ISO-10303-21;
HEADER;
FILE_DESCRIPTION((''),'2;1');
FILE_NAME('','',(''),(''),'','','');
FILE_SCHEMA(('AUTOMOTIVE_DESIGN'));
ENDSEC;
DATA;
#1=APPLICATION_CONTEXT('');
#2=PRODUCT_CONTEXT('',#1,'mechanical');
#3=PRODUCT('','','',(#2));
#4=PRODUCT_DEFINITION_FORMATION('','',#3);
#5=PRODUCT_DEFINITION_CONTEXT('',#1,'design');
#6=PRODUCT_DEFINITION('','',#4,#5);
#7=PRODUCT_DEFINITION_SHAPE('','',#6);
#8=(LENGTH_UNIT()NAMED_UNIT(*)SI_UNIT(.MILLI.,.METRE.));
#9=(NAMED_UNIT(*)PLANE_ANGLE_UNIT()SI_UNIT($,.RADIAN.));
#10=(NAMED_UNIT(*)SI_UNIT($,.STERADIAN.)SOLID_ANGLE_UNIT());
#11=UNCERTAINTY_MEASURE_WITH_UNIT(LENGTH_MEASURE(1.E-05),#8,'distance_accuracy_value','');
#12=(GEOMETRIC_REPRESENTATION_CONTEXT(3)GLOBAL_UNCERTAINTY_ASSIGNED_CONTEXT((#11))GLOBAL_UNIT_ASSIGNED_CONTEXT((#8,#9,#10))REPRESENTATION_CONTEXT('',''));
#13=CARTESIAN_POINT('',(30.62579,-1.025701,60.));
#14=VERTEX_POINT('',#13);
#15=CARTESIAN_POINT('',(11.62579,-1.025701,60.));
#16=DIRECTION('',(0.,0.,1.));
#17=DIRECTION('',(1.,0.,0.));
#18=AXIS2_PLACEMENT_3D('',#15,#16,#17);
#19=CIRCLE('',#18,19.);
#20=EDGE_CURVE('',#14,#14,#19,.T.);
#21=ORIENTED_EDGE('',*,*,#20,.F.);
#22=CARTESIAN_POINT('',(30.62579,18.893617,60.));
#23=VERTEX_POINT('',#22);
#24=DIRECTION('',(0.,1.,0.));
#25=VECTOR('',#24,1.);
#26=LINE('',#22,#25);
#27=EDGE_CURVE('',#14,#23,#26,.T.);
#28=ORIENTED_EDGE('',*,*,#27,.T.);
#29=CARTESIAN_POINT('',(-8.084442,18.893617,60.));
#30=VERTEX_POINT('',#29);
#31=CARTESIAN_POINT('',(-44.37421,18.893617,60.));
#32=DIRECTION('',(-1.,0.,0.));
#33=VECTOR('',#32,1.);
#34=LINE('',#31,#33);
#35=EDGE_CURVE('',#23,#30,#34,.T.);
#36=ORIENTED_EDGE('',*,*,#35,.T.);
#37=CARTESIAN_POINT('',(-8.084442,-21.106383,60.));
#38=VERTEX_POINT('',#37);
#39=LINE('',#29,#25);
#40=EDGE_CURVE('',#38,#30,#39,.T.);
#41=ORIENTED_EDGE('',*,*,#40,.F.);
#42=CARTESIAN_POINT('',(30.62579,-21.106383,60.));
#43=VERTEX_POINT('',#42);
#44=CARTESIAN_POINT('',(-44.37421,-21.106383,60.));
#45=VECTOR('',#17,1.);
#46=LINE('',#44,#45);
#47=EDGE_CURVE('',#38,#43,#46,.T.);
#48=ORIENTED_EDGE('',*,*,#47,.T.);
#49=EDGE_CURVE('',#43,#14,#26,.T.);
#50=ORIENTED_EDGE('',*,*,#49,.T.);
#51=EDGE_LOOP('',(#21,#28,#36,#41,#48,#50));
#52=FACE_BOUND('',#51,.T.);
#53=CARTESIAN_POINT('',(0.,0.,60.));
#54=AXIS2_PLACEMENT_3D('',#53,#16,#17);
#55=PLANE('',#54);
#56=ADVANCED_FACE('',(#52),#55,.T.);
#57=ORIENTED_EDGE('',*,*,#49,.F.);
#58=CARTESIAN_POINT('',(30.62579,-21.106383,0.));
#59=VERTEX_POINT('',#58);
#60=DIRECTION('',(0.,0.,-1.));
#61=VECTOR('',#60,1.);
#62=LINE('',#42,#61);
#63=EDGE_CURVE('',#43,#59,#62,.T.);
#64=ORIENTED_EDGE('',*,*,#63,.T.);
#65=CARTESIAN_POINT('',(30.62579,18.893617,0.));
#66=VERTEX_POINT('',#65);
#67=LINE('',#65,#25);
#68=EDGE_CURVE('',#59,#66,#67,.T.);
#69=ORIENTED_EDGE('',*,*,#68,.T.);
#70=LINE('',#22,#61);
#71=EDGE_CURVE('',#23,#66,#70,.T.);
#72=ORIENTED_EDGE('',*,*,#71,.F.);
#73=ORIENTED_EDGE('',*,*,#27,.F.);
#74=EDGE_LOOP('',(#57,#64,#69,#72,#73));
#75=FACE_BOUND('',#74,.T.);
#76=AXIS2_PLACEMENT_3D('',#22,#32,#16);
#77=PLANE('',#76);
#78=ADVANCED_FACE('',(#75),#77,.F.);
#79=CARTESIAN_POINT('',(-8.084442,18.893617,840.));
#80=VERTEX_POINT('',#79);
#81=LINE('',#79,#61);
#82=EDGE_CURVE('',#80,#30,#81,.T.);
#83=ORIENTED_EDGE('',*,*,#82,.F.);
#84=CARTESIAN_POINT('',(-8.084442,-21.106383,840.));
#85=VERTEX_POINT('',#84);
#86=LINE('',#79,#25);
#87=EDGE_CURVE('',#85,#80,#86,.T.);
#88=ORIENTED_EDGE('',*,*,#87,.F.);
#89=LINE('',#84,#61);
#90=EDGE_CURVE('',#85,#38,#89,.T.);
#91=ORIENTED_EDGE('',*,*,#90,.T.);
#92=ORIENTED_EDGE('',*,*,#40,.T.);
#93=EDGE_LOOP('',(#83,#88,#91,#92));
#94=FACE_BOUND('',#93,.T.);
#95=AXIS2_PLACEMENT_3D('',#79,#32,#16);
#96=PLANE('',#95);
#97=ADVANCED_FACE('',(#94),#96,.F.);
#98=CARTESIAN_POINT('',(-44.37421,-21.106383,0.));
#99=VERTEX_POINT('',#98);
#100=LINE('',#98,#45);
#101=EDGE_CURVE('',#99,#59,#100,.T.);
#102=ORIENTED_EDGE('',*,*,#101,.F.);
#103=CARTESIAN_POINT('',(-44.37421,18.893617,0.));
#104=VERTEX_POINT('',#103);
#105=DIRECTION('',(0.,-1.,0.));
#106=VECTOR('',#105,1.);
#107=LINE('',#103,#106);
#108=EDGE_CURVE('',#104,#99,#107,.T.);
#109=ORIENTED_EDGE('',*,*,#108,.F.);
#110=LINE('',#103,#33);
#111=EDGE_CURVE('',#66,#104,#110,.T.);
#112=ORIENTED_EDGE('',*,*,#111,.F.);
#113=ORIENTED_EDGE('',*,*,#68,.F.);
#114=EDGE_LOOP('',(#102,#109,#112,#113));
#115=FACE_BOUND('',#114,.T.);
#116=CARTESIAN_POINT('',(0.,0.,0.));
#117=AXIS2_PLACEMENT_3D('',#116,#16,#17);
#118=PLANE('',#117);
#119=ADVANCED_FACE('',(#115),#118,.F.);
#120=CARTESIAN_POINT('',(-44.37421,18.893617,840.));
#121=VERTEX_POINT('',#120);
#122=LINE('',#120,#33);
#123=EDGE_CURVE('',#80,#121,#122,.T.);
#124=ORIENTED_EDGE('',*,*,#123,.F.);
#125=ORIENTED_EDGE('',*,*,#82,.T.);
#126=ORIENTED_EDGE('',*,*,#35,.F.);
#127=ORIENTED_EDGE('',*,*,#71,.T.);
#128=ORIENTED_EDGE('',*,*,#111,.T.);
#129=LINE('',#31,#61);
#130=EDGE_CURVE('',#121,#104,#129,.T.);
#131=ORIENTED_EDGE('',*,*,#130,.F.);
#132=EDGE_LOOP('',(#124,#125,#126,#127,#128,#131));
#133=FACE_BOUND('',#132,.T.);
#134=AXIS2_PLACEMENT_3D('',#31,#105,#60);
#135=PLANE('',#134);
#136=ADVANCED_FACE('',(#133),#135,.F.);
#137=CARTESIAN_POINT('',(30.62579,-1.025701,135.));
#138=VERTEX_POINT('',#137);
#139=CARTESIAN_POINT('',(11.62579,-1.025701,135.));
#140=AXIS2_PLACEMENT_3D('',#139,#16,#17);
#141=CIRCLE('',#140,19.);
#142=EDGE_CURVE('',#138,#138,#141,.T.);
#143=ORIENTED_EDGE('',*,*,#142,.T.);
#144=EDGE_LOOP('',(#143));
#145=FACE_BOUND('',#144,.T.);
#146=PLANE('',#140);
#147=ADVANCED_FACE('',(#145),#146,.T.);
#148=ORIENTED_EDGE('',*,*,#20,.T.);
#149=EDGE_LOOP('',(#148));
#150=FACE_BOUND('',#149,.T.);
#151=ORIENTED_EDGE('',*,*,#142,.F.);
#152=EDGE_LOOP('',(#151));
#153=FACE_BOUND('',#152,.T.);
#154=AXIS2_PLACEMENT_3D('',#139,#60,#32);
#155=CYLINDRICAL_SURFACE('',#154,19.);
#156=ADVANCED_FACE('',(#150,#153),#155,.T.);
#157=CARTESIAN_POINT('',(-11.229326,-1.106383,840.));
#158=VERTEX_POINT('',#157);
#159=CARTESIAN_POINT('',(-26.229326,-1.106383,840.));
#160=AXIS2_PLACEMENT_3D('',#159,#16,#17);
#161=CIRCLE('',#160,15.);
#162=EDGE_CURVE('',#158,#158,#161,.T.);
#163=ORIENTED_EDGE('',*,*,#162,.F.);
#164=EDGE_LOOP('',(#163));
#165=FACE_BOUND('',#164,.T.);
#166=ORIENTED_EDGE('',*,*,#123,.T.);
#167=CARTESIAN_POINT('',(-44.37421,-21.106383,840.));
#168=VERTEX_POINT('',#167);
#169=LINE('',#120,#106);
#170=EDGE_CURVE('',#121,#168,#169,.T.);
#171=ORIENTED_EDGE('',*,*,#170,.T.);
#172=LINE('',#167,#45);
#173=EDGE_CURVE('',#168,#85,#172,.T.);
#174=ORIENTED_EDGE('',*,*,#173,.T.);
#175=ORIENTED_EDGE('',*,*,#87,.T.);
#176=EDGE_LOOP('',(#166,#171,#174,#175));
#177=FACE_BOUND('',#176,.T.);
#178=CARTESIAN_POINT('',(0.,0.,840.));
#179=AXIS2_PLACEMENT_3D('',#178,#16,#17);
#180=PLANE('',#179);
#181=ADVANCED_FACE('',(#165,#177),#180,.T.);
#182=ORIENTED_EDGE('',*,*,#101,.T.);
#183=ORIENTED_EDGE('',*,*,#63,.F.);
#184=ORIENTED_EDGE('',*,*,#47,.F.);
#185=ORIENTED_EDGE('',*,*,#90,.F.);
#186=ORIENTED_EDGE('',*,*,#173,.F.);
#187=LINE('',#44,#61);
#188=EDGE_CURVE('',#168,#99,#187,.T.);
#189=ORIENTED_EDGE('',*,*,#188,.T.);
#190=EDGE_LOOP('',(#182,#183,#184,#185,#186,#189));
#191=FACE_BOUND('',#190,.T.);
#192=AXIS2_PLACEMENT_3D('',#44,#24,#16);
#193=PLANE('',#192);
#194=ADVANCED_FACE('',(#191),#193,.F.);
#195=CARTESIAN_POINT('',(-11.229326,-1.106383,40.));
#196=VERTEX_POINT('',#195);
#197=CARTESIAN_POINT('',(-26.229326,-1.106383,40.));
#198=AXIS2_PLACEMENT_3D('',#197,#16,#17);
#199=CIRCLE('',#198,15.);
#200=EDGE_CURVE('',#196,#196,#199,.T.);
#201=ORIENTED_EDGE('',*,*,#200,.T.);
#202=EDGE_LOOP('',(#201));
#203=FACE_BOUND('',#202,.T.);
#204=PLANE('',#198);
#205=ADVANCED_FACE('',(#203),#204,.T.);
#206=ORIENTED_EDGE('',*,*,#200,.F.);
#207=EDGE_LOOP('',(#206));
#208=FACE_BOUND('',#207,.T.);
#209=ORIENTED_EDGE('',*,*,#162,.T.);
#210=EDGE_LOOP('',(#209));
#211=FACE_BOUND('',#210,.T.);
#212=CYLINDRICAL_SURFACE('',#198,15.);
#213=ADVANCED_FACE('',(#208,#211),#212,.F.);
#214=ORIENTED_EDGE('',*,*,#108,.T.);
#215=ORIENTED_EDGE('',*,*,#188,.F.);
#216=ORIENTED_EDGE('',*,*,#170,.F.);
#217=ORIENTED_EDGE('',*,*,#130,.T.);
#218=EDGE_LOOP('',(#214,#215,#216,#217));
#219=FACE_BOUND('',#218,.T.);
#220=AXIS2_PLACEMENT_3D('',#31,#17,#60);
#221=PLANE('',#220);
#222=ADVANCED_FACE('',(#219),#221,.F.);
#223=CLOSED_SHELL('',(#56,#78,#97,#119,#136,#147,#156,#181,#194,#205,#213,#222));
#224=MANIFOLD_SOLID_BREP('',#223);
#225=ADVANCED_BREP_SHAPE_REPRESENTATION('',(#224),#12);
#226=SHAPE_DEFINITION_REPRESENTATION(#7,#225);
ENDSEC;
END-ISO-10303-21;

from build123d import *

# Parameters (mm, degrees)
SKETCH_1_W          = 75
SKETCH_1_H          = 40
EXTRUDE_1_DEPTH     = 60
SKETCH_2_R          = 19
EXTRUDE_2_DEPTH     = 75
SKETCH_3_W          = 36.2897677
SKETCH_3_H          = 40
EXTRUDE_3_DEPTH     = 780
SKETCH_7_R          = 15
CUT_EXTRUDE_1_DEPTH = 800


with BuildPart() as part:
    # 草圖1 → 填料-伸長1 (new body)
    with BuildSketch(Plane.XY):
        with Locations((-6.874209628, -1.106382979)):
            Rectangle(SKETCH_1_W, SKETCH_1_H)
    extrude(amount=EXTRUDE_1_DEPTH)

    # 草圖2 → 填料-伸長2 (add)
    with BuildSketch(Plane.XY.offset(60)):
        with Locations((11.625790372, -1.025700825)):
            Circle(SKETCH_2_R)
    extrude(amount=EXTRUDE_2_DEPTH)

    # 草圖3 → 填料-伸長3 (add)
    with BuildSketch(Plane.XY.offset(60)):
        with Locations((-26.229325778, -1.106382979)):
            Rectangle(SKETCH_3_W, SKETCH_3_H)
    extrude(amount=EXTRUDE_3_DEPTH)

    # 草圖7 → 除料-伸長1 (cut)
    with BuildSketch(Plane.XY.offset(840)):
        with Locations((-26.229325778, -1.106382979)):
            Circle(SKETCH_7_R)
    extrude(amount=-CUT_EXTRUDE_1_DEPTH, mode=Mode.SUBTRACT)


solid = part.part
